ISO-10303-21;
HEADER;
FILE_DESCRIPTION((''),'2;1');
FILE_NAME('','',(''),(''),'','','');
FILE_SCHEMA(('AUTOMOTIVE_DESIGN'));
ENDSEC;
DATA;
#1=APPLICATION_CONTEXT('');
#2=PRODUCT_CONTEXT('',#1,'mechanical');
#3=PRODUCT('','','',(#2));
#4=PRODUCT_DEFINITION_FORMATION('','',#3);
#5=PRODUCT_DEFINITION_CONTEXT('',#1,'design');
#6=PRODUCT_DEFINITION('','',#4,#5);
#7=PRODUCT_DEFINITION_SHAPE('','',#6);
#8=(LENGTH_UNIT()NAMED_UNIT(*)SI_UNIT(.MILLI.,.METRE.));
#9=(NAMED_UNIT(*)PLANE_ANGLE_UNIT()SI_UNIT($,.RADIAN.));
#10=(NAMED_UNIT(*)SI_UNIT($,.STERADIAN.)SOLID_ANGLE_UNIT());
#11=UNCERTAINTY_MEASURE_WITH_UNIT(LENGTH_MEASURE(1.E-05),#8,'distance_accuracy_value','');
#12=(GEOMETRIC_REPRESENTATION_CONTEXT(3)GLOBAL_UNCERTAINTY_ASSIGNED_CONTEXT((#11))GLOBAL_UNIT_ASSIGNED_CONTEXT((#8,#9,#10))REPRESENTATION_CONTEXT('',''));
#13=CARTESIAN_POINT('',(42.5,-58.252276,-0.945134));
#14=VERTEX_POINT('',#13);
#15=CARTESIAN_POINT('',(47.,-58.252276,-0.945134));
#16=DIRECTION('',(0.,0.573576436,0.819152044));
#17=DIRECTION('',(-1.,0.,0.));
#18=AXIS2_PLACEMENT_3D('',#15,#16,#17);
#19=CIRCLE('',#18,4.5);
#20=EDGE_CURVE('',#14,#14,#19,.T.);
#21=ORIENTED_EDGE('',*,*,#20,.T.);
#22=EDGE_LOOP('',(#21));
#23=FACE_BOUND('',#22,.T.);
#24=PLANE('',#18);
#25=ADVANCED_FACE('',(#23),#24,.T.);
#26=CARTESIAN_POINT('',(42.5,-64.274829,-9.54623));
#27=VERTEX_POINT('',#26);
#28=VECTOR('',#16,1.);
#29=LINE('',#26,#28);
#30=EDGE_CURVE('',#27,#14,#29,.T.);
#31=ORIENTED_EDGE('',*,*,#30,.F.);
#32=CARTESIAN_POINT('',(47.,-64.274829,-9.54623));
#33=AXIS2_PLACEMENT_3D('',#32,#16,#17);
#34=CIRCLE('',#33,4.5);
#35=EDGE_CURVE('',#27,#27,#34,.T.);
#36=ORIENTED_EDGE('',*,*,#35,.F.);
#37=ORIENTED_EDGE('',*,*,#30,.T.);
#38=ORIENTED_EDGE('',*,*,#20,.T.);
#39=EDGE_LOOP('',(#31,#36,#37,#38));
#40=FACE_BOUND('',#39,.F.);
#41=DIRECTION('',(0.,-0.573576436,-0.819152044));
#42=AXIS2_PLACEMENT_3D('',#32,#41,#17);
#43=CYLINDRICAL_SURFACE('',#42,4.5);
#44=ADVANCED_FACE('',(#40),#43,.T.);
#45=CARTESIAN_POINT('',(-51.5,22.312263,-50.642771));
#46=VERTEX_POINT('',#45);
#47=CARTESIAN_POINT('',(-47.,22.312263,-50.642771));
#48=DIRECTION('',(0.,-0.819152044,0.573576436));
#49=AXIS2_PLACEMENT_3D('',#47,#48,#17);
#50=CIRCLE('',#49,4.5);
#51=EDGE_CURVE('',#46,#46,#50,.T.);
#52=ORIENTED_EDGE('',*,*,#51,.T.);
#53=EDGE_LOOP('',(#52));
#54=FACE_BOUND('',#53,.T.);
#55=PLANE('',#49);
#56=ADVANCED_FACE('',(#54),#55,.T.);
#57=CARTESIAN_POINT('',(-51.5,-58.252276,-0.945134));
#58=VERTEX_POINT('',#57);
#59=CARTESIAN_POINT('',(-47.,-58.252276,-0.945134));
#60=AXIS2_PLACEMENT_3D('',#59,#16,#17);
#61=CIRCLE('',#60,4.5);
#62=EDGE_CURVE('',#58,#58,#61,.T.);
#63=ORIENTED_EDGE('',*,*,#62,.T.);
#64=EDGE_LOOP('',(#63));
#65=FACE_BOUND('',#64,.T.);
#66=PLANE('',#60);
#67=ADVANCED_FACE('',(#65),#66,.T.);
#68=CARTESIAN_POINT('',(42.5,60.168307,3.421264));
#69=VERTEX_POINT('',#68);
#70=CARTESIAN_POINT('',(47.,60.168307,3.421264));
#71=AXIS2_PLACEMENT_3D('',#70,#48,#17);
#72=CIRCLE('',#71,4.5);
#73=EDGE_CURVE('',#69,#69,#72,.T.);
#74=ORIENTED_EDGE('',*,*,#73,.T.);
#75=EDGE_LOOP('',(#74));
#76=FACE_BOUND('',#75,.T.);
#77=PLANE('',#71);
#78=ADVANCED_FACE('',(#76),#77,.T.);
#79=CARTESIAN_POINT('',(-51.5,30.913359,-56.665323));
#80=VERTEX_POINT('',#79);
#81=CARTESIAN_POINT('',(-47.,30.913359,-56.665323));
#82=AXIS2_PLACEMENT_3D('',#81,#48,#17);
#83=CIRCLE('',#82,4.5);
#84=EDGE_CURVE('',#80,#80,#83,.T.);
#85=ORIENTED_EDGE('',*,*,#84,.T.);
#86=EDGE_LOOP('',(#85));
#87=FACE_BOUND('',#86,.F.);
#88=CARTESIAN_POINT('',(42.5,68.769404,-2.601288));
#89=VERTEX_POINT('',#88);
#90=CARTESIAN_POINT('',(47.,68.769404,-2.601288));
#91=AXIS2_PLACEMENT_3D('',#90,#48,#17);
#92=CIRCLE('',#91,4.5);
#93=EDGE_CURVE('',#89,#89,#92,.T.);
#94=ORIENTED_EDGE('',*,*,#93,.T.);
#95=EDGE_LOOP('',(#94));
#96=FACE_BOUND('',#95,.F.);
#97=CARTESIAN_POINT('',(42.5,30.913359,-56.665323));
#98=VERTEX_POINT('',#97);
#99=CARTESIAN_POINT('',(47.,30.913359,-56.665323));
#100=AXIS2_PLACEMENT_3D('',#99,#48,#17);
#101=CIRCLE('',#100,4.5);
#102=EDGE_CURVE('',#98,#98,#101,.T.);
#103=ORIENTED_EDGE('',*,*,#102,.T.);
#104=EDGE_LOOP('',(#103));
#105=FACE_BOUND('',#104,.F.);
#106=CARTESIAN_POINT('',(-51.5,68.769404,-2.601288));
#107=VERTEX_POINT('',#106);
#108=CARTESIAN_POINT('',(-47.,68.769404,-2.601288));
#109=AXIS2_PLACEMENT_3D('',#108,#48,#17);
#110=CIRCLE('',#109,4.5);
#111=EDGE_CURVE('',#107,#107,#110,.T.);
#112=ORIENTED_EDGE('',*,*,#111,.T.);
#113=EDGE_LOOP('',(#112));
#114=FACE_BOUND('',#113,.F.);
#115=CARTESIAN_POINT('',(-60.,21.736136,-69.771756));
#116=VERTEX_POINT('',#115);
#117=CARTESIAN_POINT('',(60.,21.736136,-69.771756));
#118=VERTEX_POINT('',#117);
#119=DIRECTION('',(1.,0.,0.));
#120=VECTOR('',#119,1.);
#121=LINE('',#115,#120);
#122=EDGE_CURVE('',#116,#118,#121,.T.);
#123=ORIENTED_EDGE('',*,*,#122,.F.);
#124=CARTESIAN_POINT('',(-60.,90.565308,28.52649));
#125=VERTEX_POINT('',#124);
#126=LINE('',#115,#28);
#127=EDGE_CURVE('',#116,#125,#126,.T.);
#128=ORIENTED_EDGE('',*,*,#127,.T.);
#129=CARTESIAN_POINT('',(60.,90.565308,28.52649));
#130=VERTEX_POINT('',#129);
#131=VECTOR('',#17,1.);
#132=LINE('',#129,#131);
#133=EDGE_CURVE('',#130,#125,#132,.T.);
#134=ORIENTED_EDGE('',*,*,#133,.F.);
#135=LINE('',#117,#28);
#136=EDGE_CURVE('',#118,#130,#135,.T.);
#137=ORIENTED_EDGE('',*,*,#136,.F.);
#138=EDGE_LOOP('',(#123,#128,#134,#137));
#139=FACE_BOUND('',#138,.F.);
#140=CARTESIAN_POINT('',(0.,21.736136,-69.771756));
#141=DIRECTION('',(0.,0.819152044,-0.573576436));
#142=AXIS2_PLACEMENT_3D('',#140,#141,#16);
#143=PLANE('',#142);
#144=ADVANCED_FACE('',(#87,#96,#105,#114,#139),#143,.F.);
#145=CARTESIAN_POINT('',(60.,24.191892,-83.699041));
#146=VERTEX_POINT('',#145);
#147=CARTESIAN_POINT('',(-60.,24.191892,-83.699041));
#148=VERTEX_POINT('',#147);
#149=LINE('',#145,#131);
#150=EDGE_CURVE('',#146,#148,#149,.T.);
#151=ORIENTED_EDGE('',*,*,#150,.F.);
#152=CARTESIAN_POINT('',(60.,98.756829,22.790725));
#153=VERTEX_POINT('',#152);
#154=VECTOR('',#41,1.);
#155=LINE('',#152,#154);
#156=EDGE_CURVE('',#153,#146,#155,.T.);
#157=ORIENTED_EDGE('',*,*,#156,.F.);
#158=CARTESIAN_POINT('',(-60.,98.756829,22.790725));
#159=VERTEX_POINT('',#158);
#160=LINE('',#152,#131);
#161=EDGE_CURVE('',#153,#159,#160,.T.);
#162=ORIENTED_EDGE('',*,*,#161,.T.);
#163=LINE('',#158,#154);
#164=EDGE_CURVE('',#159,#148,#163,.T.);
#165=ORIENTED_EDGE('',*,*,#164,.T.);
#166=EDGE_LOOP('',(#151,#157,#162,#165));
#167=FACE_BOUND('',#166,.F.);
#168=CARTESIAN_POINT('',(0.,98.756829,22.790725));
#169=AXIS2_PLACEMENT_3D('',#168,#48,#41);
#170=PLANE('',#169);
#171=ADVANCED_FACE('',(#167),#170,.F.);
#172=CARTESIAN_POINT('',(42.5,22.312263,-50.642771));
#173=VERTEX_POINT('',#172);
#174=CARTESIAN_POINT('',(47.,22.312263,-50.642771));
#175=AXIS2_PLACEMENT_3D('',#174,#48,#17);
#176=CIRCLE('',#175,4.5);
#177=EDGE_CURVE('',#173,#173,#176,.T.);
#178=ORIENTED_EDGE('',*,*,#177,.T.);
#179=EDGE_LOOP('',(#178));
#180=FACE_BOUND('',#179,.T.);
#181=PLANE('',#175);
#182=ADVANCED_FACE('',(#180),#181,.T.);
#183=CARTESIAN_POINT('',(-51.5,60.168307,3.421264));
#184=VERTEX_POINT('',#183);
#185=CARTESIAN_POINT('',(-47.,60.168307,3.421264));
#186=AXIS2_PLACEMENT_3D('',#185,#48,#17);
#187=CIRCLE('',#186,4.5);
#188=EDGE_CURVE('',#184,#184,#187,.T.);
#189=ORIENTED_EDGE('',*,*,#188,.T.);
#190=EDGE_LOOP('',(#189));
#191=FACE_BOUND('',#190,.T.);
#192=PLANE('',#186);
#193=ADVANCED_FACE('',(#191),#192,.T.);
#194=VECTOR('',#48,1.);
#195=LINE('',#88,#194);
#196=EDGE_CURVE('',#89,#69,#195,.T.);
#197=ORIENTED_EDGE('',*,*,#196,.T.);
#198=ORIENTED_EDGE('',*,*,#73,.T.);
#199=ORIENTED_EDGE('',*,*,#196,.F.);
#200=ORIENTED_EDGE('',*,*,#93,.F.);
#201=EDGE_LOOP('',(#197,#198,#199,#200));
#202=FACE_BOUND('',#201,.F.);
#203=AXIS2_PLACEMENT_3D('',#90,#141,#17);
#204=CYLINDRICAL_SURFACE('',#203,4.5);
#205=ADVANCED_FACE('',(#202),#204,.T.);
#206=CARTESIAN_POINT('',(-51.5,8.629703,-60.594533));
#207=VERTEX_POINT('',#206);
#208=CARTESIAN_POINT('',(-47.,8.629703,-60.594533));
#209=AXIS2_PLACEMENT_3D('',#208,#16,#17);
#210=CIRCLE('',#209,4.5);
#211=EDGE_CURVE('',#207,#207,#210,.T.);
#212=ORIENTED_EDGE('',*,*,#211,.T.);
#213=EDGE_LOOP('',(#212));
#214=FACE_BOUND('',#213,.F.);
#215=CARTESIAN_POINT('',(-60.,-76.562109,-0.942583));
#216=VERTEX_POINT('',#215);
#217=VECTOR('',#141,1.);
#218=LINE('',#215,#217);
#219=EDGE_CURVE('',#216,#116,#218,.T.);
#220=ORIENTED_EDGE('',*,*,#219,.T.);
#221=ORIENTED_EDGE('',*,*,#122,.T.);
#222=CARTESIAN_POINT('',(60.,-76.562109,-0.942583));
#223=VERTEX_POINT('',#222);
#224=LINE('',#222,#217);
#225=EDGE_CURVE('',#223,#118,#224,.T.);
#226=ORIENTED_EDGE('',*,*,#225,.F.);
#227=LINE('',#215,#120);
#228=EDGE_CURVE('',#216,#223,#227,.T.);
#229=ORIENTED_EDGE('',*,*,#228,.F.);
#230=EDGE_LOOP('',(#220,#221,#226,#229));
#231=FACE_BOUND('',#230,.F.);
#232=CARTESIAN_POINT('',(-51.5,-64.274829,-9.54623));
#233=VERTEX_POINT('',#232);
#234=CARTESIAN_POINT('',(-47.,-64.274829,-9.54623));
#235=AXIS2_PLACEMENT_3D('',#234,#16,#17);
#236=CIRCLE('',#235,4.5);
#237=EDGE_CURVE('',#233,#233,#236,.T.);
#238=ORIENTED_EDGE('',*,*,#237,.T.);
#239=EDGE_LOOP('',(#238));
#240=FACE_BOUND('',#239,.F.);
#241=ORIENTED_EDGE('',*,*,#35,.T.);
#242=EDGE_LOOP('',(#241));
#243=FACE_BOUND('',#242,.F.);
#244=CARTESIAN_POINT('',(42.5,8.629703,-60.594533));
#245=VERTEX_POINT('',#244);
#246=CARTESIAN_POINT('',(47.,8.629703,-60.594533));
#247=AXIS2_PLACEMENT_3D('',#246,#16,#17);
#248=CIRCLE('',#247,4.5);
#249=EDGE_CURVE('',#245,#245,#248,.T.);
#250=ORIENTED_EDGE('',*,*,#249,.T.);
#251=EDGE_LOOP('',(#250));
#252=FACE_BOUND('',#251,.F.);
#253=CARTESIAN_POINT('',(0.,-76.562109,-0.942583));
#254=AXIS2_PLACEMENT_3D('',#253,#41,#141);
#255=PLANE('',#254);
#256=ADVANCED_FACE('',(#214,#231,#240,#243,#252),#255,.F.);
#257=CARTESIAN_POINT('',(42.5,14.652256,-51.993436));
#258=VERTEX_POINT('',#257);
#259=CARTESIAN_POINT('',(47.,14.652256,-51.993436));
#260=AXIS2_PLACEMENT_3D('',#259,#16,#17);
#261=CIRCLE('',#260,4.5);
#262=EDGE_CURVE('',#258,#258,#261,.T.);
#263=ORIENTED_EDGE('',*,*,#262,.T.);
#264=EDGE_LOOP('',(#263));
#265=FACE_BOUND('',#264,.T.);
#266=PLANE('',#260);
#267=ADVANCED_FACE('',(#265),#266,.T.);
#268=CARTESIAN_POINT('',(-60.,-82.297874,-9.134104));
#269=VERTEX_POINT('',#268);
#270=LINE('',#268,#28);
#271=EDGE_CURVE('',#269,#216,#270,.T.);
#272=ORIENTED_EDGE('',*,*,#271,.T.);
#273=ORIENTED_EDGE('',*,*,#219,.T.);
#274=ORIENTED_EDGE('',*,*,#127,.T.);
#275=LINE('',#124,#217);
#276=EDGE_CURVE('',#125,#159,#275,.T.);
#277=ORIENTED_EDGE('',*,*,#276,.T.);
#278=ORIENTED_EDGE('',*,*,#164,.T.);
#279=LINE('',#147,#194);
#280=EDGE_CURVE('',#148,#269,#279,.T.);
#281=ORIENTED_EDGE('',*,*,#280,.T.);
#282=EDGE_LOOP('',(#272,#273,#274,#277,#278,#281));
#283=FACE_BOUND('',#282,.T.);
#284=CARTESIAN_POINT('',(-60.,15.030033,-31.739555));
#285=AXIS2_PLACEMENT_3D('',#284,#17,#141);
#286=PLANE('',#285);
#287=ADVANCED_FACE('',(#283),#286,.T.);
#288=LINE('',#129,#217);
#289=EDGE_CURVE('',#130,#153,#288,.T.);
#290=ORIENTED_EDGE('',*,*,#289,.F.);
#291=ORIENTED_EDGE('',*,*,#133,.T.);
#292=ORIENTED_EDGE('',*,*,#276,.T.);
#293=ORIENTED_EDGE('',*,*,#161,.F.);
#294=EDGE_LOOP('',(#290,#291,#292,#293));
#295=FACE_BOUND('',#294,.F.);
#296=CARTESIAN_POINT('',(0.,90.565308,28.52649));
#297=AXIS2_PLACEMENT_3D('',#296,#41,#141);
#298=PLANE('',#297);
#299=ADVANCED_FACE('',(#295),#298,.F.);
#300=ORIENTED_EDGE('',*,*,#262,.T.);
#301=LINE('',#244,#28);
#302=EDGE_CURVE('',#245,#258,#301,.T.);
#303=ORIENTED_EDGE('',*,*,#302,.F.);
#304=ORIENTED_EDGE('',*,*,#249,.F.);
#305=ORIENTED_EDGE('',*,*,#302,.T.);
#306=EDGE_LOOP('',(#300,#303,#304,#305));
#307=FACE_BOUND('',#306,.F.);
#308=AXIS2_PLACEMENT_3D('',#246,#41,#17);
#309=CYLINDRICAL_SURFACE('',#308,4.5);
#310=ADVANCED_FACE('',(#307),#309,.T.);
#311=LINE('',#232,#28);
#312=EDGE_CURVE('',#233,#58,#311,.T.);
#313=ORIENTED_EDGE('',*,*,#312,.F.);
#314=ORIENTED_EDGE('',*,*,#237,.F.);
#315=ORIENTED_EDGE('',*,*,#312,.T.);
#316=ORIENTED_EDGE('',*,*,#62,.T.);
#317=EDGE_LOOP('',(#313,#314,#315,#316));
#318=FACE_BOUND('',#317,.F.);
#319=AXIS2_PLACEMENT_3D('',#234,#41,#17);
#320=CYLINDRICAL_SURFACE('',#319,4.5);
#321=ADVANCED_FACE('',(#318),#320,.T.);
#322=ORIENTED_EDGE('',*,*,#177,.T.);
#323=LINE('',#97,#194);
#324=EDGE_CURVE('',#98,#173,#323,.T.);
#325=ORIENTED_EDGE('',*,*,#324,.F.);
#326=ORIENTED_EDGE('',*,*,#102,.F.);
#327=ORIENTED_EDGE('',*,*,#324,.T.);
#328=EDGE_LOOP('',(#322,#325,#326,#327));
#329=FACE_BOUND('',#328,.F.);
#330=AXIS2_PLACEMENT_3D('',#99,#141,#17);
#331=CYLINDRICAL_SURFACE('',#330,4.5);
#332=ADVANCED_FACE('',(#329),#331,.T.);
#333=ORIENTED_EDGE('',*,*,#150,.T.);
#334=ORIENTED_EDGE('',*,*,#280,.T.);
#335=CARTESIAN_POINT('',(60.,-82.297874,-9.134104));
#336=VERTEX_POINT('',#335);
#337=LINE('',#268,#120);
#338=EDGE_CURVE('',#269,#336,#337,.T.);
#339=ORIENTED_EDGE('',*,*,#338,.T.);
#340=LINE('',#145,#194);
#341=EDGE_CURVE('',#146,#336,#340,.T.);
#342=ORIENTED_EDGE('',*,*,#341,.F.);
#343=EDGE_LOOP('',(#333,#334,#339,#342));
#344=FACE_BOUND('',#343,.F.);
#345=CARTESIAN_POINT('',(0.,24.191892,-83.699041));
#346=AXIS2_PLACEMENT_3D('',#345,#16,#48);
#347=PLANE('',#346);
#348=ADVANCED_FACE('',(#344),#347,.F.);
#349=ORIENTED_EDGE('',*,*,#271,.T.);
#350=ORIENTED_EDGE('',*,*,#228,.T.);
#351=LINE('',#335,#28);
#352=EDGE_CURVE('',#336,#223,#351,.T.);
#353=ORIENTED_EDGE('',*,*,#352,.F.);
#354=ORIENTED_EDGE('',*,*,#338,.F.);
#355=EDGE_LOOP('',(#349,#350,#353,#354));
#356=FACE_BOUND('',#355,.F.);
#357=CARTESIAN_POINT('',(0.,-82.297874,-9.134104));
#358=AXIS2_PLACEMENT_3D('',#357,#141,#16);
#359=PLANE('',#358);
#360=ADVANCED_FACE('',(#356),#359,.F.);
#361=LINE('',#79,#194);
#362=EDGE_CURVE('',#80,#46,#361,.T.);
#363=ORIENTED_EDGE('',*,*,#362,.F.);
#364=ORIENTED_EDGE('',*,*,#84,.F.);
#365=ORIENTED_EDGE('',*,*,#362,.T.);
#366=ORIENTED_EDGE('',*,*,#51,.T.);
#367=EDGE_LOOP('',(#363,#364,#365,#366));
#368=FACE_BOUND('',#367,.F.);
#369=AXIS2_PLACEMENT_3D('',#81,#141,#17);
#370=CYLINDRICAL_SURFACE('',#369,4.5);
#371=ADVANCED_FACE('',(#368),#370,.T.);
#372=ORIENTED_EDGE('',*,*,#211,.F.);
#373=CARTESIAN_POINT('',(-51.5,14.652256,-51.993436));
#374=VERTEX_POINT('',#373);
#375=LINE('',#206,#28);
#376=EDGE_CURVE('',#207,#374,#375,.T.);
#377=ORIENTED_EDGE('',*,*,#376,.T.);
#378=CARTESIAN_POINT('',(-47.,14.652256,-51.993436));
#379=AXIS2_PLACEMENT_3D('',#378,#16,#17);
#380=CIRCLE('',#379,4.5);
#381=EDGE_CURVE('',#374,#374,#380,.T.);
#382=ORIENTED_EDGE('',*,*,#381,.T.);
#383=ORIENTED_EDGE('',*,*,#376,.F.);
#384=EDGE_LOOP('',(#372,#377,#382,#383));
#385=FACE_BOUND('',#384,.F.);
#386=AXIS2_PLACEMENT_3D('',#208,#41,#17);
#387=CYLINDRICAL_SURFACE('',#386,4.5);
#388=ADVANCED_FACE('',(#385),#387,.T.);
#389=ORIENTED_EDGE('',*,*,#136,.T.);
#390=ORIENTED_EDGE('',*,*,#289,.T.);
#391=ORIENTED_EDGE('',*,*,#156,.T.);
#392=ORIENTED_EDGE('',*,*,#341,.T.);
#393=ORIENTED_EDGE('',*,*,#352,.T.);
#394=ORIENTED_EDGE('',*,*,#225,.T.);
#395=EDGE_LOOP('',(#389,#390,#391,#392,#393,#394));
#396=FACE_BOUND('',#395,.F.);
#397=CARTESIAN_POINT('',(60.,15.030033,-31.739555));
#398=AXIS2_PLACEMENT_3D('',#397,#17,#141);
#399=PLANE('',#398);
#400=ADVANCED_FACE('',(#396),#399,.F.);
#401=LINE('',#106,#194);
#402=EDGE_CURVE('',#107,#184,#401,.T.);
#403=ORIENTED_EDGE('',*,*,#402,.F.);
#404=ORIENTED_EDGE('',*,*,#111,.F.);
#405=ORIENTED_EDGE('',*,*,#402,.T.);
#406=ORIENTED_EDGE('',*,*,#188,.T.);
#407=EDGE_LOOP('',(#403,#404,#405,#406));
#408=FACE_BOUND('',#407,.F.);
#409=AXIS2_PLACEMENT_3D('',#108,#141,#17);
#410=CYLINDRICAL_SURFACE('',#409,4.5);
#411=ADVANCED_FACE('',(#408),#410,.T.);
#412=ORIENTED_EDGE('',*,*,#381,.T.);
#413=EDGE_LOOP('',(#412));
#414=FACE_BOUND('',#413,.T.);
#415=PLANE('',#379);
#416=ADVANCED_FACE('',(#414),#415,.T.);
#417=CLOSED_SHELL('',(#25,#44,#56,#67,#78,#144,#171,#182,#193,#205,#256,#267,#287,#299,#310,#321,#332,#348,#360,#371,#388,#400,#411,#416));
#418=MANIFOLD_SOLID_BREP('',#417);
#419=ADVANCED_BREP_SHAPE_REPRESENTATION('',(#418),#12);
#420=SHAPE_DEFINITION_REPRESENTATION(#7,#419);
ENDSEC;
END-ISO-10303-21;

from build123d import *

# Parameters (mm, degrees)
PAD008_DEPTH            = 60
SKETCH028_R             = 4.5
PAD009_DEPTH            = 10.5
SKETCH026_R             = 4.5
PAD010_DEPTH            = 10.5
BODY005_PLACEMENT_ANGLE = 145


with BuildPart() as part:
    # Sketch027 → Pad008 (new body, symmetric)
    with BuildSketch(Plane.YZ):
        Polygon((-10, 10), (-10, -110), (-20, -110), (-20, 20), (110, 20), (110, 10), align=None)
    extrude(amount=PAD008_DEPTH, both=True)

    # Sketch028 → Pad009 (join)
    with BuildSketch(Plane(origin=(0, -10, 0), x_dir=(-1, 0, 0), z_dir=(0, 1, 0))):
        with Locations((-47, -6)):
            Circle(SKETCH028_R)
        with Locations((-47, -72)):
            Circle(SKETCH028_R)
        with Locations((47, -6)):
            Circle(SKETCH028_R)
        with Locations((47, -72)):
            Circle(SKETCH028_R)
    extrude(amount=PAD009_DEPTH)

    # Sketch026 → Pad010 (join)
    with BuildSketch(Plane(origin=(0, 0, 10), x_dir=(-1, 0, 0), z_dir=(0, 0, -1))):
        with Locations((-47, 6)):
            Circle(SKETCH026_R)
        with Locations((-47, 95)):
            Circle(SKETCH026_R)
        with Locations((47, 95)):
            Circle(SKETCH026_R)
        with Locations((47, 6)):
            Circle(SKETCH026_R)
    extrude(amount=PAD010_DEPTH)


with BuildPart() as part_1:
    # Body005 placement: moved
    add(part.part.moved(Location((0, 19.28038, -55.844471))).rotate(Axis((0, 19.28038, -55.844471), (1, 0, 0)), BODY005_PLACEMENT_ANGLE))


solid = part_1.part
